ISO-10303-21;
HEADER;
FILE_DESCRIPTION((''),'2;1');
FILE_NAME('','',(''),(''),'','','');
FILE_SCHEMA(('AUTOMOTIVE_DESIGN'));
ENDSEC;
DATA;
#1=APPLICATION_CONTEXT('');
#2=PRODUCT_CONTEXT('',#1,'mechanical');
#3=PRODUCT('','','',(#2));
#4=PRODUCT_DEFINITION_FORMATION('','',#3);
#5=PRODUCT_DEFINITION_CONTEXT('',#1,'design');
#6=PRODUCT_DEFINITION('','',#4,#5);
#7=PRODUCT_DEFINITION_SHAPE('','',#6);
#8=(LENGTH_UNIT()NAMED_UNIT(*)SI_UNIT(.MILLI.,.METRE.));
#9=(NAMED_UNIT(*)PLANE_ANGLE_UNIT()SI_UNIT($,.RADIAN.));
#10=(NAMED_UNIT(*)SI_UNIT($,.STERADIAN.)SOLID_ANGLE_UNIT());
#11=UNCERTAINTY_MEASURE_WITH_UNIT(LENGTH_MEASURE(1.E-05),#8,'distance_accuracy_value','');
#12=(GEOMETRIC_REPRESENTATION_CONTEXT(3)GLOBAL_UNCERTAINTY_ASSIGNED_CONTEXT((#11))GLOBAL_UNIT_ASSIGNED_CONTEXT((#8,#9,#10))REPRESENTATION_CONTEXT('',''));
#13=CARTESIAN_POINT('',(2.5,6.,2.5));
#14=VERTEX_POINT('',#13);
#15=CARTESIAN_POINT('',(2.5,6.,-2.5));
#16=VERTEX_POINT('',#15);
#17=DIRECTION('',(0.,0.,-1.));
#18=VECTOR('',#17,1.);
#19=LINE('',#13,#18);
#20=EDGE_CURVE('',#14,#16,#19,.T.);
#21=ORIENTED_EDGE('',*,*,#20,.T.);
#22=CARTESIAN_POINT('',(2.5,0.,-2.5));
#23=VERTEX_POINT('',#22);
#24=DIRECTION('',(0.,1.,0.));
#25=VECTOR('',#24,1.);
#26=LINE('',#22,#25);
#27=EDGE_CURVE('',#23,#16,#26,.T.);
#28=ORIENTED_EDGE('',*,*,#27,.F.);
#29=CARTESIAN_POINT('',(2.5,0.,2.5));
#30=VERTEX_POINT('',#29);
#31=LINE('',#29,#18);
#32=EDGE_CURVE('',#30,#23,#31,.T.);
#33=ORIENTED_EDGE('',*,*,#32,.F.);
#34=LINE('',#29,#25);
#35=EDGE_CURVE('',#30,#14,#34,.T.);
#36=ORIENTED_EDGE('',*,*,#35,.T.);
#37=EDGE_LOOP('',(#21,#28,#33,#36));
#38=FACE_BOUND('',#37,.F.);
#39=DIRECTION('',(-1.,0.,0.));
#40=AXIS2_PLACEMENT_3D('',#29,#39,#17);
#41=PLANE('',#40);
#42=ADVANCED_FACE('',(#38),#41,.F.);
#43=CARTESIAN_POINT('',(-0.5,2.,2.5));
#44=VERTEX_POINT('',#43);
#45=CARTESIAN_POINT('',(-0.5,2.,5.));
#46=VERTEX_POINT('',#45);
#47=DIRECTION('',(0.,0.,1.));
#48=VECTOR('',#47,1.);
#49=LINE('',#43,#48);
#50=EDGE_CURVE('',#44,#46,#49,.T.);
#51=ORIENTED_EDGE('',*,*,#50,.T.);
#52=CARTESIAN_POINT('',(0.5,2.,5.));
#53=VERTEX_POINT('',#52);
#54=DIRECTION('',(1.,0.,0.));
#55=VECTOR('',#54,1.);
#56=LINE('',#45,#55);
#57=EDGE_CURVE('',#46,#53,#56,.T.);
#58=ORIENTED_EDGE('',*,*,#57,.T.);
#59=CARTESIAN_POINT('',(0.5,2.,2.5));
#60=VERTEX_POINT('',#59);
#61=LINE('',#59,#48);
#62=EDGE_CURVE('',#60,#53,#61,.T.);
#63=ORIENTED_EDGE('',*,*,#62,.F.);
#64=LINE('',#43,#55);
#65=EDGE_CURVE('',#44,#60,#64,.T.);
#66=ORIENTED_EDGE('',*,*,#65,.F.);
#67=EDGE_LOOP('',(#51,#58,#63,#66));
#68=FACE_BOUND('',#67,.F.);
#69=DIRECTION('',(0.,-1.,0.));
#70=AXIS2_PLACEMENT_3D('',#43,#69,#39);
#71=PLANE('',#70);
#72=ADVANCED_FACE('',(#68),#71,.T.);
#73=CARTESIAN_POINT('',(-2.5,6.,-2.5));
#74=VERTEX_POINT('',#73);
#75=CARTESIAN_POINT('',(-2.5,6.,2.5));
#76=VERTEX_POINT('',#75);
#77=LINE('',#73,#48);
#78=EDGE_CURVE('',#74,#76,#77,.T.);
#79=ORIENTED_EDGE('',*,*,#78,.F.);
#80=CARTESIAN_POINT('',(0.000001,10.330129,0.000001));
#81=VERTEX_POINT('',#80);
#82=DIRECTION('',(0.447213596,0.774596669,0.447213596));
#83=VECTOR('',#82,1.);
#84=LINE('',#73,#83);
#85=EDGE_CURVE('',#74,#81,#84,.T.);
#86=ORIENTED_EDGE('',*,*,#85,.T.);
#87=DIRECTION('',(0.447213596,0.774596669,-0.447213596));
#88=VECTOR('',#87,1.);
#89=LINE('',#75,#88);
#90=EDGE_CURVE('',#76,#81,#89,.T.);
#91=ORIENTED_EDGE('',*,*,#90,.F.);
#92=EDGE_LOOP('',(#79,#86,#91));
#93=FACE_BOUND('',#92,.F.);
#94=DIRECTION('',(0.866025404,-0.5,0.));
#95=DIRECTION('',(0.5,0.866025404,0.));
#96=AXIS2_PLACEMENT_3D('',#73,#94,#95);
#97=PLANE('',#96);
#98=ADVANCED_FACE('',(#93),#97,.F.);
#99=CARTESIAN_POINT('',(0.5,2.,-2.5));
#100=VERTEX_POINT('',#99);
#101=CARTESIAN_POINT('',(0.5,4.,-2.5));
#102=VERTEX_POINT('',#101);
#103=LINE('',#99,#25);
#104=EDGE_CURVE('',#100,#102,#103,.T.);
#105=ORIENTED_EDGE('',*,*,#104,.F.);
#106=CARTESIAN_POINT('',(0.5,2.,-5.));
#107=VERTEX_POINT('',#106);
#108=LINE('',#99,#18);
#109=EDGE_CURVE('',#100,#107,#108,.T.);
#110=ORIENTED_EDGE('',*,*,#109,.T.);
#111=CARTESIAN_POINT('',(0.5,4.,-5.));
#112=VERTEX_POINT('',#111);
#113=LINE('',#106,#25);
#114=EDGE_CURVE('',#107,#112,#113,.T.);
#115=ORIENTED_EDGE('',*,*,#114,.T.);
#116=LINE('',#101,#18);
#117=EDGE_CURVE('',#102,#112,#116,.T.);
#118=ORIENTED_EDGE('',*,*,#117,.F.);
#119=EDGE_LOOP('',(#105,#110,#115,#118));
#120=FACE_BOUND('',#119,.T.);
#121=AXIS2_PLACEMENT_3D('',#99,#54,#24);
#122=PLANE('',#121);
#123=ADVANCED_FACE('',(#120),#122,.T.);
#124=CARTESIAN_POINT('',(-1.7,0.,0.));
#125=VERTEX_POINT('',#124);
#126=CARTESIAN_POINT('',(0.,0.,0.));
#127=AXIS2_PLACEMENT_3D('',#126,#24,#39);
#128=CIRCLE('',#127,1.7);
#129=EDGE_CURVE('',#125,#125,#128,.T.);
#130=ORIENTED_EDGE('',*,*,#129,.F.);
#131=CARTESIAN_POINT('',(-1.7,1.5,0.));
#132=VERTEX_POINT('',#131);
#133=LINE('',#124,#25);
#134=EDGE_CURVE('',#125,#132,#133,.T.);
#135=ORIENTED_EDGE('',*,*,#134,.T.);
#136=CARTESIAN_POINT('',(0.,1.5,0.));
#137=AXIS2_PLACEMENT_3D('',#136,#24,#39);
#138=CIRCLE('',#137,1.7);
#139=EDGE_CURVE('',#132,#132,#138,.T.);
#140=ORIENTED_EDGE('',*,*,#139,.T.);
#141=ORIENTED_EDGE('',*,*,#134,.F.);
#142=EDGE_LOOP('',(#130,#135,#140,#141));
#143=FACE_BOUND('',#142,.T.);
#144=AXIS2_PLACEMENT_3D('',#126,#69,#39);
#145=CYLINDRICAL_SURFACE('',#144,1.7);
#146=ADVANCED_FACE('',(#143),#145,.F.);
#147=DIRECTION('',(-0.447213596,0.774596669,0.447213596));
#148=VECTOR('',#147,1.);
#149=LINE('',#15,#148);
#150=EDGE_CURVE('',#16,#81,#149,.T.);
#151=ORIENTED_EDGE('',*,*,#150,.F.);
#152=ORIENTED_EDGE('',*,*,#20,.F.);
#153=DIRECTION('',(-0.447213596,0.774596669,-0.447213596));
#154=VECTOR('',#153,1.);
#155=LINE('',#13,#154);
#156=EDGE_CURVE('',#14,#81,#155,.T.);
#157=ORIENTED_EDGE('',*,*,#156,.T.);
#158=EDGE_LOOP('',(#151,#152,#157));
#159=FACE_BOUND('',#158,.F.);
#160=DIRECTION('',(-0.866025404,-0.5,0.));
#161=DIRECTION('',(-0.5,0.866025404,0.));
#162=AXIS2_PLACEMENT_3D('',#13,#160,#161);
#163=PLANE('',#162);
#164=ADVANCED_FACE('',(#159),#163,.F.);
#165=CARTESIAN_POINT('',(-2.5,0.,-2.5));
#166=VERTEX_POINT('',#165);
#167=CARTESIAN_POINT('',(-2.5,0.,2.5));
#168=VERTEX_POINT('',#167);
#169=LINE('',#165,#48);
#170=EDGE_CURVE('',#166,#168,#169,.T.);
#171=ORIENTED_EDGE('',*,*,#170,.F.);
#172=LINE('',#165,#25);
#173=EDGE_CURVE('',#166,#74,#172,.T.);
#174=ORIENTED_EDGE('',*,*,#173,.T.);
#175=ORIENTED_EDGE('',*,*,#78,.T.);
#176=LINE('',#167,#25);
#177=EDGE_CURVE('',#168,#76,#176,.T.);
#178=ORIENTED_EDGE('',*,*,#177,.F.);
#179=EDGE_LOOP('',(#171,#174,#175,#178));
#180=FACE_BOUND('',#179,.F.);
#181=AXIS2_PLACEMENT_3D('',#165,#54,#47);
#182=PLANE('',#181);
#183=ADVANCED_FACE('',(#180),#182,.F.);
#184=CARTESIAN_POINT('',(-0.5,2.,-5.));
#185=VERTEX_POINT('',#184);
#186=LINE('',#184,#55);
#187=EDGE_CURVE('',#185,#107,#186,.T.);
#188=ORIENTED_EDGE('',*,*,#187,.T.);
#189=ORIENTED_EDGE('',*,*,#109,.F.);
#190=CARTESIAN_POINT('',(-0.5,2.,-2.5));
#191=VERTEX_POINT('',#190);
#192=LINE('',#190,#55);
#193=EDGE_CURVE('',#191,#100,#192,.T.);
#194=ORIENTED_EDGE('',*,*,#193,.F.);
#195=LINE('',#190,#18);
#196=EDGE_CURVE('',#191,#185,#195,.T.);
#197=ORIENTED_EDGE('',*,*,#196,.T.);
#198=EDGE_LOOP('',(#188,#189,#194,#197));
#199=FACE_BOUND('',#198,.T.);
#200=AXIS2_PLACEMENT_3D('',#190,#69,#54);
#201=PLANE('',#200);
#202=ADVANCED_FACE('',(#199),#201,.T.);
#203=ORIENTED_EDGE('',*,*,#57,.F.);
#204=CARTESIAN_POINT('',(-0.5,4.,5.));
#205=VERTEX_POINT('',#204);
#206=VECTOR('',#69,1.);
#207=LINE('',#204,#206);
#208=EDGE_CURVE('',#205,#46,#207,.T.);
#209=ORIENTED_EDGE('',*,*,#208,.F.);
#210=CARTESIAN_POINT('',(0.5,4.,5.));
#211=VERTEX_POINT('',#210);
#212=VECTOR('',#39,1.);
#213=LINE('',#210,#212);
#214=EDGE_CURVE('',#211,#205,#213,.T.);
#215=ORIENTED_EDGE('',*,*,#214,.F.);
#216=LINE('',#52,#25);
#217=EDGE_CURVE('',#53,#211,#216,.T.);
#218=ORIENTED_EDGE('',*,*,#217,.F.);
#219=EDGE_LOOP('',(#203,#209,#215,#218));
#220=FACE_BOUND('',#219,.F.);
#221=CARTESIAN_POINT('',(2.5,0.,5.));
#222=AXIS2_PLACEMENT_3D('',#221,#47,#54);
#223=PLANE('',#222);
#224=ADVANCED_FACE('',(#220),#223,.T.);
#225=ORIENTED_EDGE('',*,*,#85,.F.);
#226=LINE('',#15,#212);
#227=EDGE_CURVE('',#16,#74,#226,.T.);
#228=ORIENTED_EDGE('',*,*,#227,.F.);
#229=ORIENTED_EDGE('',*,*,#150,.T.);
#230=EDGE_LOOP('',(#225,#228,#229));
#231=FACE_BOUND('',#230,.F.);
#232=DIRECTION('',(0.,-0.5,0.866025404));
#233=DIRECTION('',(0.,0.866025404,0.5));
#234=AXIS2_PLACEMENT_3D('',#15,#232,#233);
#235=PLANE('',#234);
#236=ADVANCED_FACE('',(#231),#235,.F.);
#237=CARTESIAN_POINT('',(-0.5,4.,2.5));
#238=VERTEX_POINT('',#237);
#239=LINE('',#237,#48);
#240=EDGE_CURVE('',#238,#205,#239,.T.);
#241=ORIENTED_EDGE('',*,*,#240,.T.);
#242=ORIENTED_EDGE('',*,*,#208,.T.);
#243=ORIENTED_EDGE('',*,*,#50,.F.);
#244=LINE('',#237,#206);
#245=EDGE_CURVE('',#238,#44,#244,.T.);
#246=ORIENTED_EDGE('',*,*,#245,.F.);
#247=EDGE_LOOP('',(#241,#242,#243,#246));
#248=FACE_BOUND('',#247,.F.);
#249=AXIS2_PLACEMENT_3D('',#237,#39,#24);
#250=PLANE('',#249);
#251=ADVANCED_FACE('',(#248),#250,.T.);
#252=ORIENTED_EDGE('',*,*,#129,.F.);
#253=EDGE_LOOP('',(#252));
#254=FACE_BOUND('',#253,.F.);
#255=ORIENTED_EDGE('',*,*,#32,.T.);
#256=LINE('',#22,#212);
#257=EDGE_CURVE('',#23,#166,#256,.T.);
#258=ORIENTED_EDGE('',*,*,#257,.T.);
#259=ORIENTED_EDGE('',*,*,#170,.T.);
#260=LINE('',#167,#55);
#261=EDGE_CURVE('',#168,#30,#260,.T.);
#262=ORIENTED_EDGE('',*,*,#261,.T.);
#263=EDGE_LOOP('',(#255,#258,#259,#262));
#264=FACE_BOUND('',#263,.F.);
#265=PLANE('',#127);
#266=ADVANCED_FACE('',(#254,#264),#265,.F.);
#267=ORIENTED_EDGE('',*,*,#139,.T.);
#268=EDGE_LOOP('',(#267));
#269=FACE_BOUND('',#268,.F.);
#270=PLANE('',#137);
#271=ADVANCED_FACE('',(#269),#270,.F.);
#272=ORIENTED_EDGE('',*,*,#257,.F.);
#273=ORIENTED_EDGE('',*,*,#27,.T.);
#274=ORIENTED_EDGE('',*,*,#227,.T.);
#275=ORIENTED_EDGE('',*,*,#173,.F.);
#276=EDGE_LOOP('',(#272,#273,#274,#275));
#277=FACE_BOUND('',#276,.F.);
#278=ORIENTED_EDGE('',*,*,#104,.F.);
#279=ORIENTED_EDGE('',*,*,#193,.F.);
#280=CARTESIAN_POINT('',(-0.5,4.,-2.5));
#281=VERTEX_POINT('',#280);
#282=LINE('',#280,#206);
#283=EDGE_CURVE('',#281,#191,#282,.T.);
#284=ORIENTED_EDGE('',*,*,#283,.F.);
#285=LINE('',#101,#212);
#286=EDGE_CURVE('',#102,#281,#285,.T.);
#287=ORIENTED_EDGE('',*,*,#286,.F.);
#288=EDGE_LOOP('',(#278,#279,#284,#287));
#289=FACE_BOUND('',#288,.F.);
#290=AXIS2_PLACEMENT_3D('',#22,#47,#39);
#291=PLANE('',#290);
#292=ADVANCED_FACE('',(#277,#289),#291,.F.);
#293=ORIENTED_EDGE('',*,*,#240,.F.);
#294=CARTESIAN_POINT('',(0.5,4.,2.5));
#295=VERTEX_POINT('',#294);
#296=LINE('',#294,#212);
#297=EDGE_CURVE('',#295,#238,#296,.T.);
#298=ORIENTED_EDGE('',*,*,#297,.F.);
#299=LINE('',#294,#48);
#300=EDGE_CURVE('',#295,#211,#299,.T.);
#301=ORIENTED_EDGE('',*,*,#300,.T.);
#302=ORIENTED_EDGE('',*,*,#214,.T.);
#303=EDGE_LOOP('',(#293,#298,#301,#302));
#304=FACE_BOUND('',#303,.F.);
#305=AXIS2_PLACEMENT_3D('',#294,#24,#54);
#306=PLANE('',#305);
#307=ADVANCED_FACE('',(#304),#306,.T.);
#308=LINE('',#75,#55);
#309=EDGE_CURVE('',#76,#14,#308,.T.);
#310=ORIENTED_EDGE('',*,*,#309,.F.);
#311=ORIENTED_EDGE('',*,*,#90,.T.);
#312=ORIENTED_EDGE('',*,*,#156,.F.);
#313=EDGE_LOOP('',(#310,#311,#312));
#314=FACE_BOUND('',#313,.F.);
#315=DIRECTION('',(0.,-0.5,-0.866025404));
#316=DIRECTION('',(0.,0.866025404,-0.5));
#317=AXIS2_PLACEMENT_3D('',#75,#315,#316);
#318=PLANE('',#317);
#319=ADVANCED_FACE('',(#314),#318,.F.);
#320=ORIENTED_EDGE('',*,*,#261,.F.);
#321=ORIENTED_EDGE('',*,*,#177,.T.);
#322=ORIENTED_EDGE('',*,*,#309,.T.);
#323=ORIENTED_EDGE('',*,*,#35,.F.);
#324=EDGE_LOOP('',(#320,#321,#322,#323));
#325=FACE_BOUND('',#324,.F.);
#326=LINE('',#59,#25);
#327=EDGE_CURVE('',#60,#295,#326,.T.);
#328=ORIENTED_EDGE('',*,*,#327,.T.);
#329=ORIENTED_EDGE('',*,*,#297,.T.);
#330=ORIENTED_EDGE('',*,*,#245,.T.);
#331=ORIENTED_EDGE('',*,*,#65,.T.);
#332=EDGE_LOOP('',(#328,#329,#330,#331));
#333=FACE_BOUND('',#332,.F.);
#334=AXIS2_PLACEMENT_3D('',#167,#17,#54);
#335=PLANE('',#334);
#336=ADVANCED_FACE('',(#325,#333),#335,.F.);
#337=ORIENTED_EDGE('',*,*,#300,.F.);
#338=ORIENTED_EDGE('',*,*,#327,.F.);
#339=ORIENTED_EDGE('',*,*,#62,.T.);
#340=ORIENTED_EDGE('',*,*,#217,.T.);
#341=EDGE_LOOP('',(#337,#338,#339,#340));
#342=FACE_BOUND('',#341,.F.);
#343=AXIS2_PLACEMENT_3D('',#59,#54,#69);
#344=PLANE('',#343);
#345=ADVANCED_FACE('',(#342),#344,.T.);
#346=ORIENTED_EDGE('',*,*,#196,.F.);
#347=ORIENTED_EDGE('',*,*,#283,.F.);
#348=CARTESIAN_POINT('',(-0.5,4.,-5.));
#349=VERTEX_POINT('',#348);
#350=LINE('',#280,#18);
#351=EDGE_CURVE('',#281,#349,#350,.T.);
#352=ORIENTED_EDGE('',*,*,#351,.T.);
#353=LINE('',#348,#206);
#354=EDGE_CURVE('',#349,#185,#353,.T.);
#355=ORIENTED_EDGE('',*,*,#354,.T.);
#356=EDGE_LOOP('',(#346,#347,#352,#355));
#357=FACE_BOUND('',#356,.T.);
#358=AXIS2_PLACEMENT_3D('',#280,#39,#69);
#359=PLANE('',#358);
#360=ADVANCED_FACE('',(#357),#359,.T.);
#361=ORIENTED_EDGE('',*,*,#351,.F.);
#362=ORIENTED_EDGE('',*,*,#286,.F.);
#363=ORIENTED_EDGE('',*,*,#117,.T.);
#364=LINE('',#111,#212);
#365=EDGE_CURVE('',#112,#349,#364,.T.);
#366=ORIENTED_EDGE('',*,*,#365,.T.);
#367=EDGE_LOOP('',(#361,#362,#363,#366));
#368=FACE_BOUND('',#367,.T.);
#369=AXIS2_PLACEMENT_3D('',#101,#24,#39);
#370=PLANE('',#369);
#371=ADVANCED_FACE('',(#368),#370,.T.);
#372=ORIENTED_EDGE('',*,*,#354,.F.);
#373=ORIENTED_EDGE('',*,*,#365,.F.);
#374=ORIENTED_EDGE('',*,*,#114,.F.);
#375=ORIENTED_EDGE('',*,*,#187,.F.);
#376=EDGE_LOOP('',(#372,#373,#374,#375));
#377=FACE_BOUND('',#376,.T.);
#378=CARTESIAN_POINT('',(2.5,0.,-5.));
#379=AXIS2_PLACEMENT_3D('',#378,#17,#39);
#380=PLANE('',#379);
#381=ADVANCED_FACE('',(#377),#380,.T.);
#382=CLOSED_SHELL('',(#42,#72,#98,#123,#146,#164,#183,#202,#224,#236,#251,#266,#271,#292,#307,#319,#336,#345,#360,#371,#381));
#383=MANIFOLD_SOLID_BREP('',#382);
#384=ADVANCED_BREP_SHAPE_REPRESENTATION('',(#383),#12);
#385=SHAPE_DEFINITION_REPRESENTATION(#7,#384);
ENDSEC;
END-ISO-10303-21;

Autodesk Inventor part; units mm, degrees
ref_plane "YZ Plane" through (0, 0, 0) normal (1, 0, 0) x (0, 1, 0)
ref_plane "XZ Plane" through (0, 0, 0) normal (0, 1, 0) x (-1, 0, 0)
ref_plane "XY Plane" through (0, 0, 0) normal (0, 0, 1) x (1, 0, 0)
sketch "草圖1" plane through (0, 0, 0) normal (0, 1, 0) x (-1, 0, 0)
  line L0 (2.5, 2.5) -> (-2.5, 2.5)
  line L1 (-2.5, 2.5) -> (-2.5, -2.5)
  line L2 (-2.5, -2.5) -> (2.5, -2.5)
  line L3 (2.5, -2.5) -> (2.5, 2.5)
  circle A0 centre (0, 0) radius 1.7
  point P0 (2.5, 0)
  point P1 (0, -2.5)
  dimension "d0" = 5
  dimension "d1" = 5
  dimension "d2" = 3.4
extrude "擠出1" add sketch "草圖1" along normal blind 6 contours L3 L2 L1 L0 | A0
extrude "擠出2" cut sketch "草圖1" along normal blind 1.5 contours A0
sketch "草圖2" plane through (0, 6, 0) normal (0, 1, 0) x (1, 0, 0)
  line L0 (2.5, -2.5) -> (2.5, 2.5) projected
  line L1 (2.5, 2.5) -> (-2.5, 2.5) projected
  line L2 (-2.5, 2.5) -> (-2.5, -2.5) projected
  line L3 (-2.5, -2.5) -> (2.5, -2.5) projected
  point P0 (0, 0)
extrude "擠出3" add sketch "草圖2" along normal blind 15 draft -30
sketch "草圖3" plane through (2.5, 0, -2.5) normal (0, 0, -1) x (-1, 0, 0)
  line L0 (0, 0) -> (5, 0) projected
  line L1 (5, 0) -> (5, 6) projected
  line L2 (0, 6) -> (5, 6) projected
  line L3 (0, 0) -> (0, 6) projected
  line L4 (3, 4) -> (3, 2)
  line L5 (3, 2) -> (2, 2)
  line L6 (2, 2) -> (2, 4)
  line L7 (2, 4) -> (3, 4)
  point P0 (2.5, 0)
  dimension "d9" = 2
extrude "擠出4" add sketch "草圖3" along normal blind 2.5 contours L4 L5 L6 L7
mirror "鏡射1" about plane through (0, 0, 0) normal (0, 0, 1) of "擠出4"
properties part number "110033226_ipt_21_柵欄"
